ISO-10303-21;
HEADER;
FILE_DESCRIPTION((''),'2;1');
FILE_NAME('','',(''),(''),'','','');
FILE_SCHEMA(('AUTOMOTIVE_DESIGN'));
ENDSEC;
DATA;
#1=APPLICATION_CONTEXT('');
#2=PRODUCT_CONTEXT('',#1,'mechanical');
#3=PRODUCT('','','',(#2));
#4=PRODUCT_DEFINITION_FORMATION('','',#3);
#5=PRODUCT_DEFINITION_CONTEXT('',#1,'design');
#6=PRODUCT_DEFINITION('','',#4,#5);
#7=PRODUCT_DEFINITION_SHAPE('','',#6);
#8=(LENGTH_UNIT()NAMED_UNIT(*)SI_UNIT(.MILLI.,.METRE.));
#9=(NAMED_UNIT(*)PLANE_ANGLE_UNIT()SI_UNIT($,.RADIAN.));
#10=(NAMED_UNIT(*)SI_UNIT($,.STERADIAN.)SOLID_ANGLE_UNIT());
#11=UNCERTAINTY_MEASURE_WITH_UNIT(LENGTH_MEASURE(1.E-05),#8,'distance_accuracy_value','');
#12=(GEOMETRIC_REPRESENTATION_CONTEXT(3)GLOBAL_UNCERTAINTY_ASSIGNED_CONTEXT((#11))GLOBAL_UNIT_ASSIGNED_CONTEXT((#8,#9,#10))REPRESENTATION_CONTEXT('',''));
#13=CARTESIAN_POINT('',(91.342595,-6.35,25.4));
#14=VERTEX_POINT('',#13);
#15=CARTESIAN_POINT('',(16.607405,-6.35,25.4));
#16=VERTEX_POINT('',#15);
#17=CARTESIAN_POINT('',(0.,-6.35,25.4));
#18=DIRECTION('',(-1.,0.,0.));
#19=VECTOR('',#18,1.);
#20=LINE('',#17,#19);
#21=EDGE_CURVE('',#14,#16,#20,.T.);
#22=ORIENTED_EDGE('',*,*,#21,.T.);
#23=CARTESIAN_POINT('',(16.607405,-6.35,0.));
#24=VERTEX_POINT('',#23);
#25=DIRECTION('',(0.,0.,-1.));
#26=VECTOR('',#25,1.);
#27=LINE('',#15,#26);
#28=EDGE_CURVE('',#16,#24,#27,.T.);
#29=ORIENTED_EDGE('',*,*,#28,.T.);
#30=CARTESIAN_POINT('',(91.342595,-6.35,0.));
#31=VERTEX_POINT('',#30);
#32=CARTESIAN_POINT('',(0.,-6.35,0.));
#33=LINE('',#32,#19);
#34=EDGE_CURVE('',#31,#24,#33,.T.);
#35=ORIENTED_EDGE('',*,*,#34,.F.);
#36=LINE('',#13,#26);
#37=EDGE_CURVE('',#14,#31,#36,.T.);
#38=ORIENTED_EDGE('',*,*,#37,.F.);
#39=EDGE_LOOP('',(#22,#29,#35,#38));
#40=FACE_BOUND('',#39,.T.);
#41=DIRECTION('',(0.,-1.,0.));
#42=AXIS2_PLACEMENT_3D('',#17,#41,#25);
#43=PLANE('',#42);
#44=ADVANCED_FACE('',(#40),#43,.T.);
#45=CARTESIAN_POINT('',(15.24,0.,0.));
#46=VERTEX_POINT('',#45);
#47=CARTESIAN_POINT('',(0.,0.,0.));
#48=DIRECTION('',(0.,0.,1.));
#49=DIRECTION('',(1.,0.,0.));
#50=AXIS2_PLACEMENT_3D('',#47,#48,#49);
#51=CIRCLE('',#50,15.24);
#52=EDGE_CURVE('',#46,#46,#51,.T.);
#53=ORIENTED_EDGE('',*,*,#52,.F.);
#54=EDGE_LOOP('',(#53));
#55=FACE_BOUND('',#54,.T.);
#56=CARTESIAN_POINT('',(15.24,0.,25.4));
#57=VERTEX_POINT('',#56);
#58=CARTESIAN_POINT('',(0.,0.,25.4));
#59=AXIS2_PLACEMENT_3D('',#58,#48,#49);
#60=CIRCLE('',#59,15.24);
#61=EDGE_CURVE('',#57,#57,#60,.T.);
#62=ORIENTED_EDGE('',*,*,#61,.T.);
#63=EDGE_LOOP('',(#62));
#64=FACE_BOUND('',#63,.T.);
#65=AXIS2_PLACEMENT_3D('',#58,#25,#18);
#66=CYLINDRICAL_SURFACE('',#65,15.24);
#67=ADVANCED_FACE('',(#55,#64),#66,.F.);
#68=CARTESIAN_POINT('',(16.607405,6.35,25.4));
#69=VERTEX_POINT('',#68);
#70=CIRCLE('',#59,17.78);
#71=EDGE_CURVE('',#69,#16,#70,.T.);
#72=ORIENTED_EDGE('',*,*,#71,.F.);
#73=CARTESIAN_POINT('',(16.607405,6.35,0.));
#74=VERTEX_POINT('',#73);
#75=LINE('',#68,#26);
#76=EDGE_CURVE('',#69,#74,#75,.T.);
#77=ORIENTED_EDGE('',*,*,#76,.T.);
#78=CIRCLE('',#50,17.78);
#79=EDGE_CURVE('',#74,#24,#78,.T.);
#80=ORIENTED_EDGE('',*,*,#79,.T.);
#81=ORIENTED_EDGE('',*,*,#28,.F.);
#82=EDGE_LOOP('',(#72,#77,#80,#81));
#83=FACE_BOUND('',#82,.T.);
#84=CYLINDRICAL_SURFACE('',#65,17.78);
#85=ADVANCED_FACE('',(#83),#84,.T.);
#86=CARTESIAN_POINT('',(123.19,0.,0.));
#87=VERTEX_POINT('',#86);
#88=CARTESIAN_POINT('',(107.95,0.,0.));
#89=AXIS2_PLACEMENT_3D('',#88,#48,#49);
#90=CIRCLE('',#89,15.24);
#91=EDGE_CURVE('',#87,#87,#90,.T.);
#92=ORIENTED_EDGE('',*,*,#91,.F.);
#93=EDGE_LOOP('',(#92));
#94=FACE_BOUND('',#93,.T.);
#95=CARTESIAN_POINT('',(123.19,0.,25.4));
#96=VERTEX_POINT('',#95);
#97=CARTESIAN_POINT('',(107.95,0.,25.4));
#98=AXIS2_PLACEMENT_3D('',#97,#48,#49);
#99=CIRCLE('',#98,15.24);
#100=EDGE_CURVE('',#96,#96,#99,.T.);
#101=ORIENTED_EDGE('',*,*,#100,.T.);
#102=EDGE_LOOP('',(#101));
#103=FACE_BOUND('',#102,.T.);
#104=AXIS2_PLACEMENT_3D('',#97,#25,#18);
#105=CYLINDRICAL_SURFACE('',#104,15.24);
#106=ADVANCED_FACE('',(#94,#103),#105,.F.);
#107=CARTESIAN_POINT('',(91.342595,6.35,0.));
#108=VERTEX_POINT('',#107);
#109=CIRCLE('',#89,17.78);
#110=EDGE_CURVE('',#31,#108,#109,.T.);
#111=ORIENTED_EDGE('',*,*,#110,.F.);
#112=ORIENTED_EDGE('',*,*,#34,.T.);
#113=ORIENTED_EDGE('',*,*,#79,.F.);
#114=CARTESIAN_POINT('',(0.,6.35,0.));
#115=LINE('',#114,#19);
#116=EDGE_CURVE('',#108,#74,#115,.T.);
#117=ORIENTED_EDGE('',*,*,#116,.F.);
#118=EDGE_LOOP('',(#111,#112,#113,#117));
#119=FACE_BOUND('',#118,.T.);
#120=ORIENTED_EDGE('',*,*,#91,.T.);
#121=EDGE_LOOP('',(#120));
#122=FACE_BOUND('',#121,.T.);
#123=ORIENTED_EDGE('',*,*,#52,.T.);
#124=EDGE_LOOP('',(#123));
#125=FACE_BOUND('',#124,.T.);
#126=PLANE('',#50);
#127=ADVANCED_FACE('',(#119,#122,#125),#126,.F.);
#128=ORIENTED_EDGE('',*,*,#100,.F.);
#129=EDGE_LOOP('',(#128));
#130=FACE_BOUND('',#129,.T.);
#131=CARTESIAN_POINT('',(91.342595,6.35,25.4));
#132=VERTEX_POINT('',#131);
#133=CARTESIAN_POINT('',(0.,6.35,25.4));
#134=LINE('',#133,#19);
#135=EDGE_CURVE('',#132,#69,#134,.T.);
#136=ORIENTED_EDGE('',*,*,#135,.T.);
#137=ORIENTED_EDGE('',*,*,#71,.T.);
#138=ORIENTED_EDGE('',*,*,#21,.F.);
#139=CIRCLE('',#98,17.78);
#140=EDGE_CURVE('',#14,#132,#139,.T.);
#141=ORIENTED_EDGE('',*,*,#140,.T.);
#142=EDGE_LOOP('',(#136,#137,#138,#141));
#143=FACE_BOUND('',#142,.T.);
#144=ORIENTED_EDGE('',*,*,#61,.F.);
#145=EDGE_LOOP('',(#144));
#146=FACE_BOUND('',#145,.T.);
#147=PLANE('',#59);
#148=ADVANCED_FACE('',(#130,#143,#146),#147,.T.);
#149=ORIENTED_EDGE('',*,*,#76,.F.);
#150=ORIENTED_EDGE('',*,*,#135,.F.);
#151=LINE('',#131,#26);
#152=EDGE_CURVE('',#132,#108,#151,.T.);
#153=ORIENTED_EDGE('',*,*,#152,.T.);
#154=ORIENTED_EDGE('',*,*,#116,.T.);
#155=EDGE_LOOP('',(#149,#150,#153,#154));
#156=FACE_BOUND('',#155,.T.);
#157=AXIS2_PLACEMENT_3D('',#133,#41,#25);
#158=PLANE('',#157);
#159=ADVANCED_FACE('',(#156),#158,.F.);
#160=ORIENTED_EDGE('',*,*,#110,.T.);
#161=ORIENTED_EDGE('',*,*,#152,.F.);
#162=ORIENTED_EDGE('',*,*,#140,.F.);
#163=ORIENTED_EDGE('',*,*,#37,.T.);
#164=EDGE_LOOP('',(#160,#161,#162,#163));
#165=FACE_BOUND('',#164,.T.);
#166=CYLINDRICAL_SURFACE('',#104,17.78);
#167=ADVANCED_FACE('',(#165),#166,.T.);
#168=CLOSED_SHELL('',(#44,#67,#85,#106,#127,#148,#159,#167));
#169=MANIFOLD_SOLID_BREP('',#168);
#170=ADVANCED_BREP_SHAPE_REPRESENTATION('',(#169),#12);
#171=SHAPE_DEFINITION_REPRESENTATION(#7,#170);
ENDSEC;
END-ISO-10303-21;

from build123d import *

# Parameters (mm, degrees)
SKETCH1_R           = 15.24
BOSS_EXTRUDE1_DEPTH = 25.4


with BuildPart() as part:
    # Sketch1 → Boss-Extrude1 (new body)
    with BuildSketch(Plane.XY):
        with BuildLine():
            ThreePointArc((16.607404975, 6.35), (-17.78, 0), (16.607404975, -6.35))
            Line((16.607404975, -6.35), (16.607404975, 6.35))
        make_face()
        Circle(SKETCH1_R, mode=Mode.SUBTRACT)
        with BuildLine():
            Line((16.607404975, -6.35), (91.342595025, -6.35))
            ThreePointArc((91.342595025, -6.35), (90.17, 0), (91.342595025, 6.35))
            Line((91.342595025, 6.35), (16.607404975, 6.35))
            ThreePointArc((16.607404975, 6.35), (17.484393905, 3.228679261), (17.78, 0))
            ThreePointArc((17.78, 0), (17.484393905, -3.228679261), (16.607404975, -6.35))
        make_face()
        with BuildLine():
            Line((16.607404975, 6.35), (16.607404975, -6.35))
            ThreePointArc((16.607404975, -6.35), (17.484393905, -3.228679261), (17.78, 0))
            ThreePointArc((17.78, 0), (17.484393905, 3.228679261), (16.607404975, 6.35))
        make_face()
        with BuildLine():
            Line((91.342595025, 6.35), (91.342595025, -6.35))
            ThreePointArc((91.342595025, -6.35), (111.178679261, -17.484393905), (125.73, 0))
            ThreePointArc((125.73, 0), (111.178679261, 17.484393905), (91.342595025, 6.35))
        make_face()
        with Locations((107.95, 0)):
            Circle(SKETCH1_R, mode=Mode.SUBTRACT)
        with BuildLine():
            ThreePointArc((91.342595025, 6.35), (90.17, 0), (91.342595025, -6.35))
            Line((91.342595025, -6.35), (91.342595025, 6.35))
        make_face()
    extrude(amount=BOSS_EXTRUDE1_DEPTH)


solid = part.part
